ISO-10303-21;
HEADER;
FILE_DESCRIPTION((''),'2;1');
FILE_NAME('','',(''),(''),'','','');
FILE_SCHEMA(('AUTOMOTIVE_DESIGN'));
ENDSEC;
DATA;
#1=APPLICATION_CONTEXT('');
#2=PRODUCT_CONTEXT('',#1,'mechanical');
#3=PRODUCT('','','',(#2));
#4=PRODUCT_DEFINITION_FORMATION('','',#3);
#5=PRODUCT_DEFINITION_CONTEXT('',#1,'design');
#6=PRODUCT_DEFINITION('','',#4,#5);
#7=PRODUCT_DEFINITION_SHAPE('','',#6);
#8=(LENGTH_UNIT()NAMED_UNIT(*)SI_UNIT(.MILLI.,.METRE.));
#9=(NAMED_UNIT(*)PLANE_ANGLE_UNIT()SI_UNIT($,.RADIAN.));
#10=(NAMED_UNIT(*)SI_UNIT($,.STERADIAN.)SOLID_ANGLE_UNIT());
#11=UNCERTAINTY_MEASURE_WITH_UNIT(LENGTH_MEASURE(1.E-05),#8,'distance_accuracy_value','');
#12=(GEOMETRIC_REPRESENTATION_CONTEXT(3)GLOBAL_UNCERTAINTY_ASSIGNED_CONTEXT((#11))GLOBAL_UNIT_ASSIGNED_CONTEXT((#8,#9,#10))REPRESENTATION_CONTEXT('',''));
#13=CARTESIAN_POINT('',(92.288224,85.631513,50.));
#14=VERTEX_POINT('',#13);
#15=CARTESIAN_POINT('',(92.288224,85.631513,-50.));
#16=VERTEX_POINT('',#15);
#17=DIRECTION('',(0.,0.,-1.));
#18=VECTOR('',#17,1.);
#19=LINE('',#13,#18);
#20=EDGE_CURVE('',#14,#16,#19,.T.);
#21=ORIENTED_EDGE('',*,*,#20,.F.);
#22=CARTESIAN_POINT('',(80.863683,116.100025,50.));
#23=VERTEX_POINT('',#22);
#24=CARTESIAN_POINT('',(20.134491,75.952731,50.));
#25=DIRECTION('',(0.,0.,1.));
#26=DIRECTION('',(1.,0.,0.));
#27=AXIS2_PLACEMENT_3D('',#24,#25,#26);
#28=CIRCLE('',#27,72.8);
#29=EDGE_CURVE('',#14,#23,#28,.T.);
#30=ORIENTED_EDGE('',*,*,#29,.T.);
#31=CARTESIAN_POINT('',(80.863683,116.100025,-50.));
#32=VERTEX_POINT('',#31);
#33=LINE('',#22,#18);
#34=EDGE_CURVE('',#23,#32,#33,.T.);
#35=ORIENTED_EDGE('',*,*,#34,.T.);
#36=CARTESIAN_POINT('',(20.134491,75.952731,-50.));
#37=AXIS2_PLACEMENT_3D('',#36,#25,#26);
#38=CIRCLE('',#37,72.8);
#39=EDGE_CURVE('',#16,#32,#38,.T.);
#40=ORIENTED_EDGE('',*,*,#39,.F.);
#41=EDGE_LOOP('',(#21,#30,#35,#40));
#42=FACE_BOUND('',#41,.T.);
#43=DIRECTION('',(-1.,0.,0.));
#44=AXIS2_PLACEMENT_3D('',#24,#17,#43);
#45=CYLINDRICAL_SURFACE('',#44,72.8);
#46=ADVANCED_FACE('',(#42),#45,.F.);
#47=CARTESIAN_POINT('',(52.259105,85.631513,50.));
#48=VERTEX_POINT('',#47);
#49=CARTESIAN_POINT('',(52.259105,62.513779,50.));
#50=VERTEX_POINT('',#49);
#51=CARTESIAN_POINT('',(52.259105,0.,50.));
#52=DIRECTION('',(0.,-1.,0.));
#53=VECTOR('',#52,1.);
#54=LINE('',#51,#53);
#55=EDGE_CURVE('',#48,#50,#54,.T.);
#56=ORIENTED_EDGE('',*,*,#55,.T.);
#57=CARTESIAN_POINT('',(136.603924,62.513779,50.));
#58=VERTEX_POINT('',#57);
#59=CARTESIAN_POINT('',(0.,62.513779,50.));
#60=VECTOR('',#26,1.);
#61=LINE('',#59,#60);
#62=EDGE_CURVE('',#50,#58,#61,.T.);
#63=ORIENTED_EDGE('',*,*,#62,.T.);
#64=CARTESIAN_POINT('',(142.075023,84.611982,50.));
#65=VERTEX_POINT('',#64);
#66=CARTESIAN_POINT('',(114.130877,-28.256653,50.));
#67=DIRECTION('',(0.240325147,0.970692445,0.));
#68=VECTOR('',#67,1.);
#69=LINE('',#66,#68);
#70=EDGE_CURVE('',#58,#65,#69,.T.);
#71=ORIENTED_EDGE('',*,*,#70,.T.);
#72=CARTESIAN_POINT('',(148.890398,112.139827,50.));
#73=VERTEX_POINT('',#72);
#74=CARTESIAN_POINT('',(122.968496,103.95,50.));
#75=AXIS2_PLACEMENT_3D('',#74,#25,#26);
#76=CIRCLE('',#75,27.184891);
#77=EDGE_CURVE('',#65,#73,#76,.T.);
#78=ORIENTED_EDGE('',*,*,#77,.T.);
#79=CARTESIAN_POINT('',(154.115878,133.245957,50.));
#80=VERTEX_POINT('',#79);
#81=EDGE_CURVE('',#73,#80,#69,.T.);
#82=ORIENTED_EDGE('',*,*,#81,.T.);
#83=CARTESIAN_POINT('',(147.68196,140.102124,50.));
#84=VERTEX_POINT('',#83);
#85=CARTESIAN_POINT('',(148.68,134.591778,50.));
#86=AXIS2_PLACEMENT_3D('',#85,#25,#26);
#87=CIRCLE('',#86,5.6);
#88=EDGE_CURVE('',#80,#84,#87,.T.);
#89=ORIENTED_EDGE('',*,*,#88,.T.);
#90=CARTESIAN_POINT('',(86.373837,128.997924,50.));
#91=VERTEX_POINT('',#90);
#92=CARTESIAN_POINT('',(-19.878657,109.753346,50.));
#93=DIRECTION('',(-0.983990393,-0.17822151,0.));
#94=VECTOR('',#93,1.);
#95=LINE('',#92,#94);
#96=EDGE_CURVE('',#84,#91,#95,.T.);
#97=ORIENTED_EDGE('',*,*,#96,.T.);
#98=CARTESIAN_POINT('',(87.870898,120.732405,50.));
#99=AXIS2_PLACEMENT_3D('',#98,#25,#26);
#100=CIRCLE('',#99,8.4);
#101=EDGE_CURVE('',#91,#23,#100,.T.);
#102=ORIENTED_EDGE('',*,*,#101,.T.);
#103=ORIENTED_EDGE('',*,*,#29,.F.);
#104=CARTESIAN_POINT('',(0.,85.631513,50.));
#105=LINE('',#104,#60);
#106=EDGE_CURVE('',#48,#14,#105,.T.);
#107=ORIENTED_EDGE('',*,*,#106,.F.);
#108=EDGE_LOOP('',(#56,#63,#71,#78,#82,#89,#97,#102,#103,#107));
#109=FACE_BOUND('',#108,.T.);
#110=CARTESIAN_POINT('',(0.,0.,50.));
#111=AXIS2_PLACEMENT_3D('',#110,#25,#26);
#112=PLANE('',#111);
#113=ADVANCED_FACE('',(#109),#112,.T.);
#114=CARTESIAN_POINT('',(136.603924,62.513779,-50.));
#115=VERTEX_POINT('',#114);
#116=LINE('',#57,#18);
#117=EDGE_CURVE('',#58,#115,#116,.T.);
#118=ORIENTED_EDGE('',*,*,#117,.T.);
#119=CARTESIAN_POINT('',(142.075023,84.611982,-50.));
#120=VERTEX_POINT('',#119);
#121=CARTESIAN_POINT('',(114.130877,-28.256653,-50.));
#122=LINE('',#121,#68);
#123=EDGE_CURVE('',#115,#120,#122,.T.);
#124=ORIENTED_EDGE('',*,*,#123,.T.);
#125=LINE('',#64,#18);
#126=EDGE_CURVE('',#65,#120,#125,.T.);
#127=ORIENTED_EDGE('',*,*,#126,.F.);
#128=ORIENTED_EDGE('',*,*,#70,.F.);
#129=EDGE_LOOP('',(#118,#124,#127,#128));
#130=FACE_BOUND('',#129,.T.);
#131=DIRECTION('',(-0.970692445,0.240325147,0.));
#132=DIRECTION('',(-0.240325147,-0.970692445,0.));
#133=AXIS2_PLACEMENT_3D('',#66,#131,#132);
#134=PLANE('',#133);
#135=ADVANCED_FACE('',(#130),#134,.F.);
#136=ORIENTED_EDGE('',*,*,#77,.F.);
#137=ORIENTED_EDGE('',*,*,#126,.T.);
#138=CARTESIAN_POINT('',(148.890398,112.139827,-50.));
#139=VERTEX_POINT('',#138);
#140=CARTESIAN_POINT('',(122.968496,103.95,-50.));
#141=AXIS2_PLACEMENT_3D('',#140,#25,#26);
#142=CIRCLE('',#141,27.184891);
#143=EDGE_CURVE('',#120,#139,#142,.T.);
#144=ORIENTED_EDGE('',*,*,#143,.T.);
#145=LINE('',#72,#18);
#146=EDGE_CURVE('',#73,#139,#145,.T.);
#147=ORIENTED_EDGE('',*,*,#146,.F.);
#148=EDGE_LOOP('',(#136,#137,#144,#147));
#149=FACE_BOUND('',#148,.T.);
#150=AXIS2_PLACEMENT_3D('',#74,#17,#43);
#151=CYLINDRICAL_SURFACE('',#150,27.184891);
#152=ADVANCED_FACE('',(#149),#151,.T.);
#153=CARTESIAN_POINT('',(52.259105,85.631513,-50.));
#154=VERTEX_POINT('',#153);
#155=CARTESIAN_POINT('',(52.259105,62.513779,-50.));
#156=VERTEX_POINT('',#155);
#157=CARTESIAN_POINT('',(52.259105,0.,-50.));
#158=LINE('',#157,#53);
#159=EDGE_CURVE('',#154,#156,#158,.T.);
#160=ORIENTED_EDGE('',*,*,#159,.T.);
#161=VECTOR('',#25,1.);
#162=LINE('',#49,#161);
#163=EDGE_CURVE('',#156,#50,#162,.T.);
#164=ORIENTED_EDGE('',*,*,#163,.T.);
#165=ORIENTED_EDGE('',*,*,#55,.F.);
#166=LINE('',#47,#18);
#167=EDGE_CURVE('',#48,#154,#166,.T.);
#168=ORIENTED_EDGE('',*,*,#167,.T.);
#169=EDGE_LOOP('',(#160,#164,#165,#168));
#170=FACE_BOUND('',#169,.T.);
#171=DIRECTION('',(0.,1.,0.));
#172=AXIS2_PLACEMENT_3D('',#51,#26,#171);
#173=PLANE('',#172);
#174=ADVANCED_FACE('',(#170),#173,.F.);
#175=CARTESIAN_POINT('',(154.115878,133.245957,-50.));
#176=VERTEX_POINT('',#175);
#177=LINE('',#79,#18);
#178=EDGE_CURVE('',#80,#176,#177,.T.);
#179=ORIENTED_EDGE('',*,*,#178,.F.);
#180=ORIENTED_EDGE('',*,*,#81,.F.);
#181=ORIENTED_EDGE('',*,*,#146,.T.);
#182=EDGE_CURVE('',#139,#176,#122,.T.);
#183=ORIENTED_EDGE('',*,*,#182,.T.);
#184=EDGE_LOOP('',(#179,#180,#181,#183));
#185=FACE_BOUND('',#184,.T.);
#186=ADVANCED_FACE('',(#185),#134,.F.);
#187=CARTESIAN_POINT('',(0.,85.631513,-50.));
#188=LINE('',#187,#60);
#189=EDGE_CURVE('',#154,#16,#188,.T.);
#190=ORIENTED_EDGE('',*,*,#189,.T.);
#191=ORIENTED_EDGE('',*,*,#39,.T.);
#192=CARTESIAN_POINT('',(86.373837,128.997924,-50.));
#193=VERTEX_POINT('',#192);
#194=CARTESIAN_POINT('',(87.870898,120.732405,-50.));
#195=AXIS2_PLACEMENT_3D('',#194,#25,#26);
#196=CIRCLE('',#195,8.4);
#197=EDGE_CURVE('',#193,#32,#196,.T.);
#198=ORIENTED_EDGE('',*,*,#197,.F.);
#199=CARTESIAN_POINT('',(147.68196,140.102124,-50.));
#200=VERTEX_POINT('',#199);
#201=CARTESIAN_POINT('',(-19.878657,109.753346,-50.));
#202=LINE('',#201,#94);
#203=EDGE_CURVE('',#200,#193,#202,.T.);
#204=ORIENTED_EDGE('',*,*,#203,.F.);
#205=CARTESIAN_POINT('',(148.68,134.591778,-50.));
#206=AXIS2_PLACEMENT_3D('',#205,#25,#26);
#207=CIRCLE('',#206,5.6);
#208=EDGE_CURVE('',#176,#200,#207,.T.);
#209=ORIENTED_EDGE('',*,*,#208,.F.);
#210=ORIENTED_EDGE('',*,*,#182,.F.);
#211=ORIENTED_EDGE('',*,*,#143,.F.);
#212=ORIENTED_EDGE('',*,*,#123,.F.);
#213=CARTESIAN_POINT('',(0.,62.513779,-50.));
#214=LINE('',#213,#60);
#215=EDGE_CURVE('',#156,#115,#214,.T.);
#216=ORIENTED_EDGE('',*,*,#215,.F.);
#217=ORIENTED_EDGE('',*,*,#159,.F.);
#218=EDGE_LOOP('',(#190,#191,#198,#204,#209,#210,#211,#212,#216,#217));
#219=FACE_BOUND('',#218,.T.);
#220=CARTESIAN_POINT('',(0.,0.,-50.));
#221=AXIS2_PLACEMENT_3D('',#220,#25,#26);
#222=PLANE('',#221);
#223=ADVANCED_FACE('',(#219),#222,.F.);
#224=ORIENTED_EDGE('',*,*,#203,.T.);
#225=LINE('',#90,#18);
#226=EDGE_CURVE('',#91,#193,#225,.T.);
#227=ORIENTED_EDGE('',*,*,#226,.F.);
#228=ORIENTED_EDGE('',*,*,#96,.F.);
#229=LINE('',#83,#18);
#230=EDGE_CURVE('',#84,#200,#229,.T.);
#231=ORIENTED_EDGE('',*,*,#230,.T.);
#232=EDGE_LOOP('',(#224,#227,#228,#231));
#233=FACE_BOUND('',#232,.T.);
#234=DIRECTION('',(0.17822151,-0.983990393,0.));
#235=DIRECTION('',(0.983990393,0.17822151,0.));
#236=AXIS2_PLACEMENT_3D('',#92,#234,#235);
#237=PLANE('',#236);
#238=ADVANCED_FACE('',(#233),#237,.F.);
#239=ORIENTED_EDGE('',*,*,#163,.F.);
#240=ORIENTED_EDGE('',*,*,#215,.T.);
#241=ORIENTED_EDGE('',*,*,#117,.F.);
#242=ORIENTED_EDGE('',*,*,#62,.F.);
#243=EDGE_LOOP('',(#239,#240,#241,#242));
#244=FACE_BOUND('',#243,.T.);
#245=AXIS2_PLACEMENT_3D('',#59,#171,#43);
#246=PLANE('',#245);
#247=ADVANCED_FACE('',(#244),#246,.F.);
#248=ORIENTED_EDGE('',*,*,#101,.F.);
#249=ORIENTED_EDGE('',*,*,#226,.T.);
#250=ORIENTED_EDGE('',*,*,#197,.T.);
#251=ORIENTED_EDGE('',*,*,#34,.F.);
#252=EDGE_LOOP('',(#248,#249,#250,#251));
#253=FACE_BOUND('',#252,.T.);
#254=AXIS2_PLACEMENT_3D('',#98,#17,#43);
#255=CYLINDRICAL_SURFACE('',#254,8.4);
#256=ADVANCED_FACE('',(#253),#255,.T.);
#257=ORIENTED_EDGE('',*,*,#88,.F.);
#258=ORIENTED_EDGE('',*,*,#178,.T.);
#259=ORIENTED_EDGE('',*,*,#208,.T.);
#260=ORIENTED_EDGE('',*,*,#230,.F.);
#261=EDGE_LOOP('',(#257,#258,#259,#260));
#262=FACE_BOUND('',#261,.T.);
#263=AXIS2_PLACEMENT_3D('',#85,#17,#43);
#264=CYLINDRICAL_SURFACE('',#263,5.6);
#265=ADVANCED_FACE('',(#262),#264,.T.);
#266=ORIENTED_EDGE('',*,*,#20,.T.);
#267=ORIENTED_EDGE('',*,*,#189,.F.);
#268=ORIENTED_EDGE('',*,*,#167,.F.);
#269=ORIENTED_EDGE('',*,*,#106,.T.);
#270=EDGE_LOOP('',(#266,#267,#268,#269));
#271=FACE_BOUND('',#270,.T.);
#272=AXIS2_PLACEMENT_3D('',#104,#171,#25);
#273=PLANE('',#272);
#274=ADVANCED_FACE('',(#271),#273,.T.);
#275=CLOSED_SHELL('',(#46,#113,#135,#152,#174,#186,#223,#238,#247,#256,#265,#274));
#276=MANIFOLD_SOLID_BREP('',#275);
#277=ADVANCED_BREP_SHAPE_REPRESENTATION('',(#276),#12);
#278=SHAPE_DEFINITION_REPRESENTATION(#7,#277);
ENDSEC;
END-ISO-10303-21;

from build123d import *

# Parameters (mm, degrees)
EXTRUDE_1_DEPTH                = 50
SPLIT_BODIES_1_SURFACE_1_BACK  = 232.206
SPLIT_BODIES_1_SURFACE_1_DEPTH = 464.412
SPLIT_BODIES_1_SURFACE_2_BACK  = 232.206
SPLIT_BODIES_1_SURFACE_2_DEPTH = 464.412


with BuildPart() as part:
    # 草图2 → 凸台-拉伸1 (new, symmetric)
    with BuildSketch(Plane.XY):
        with BuildLine():
            Line((120.381757685, 62.513778912), (136.603924057, 62.513778912))
            Line((136.603924057, 62.513778912), (142.075022588, 84.611982407))
            ThreePointArc((142.075022588, 84.611982407), (149.356663913, 97.416787069), (148.890397999, 112.139827479))
            Line((148.890397999, 112.139827479), (154.115877694, 133.245956899))
            ThreePointArc((154.115877694, 133.245956899), (152.763547037, 138.423832473), (147.681959543, 140.102123925))
            Line((147.681959543, 140.102123925), (86.373837206, 128.997923897))
            ThreePointArc((86.373837206, 128.997923897), (80.146286191, 124.032461274), (80.863683371, 116.100024575))
            ThreePointArc((80.863683371, 116.100024575), (88.300101913, 101.512259026), (92.288223879, 85.631512581))
            Line((92.288223879, 85.631512581), (52.259104564, 85.631512581))
            Line((52.259104564, 85.631512581), (52.259104564, 37.347972633))
            Line((52.259104564, 37.347972633), (26.12059868, 28.530814049))
            Line((26.12059868, 28.530814049), (0, 28.530814049))
            Line((0, 28.530814049), (0, 0))
            Line((0, 0), (140.98, 0))
            Line((140.98, 0), (131.928221984, 26.834036233))
            Line((131.928221984, 26.834036233), (115.249995775, 26.834036233))
            Line((115.249995775, 26.834036233), (120.381757685, 62.513778912))
        make_face()
    extrude(amount=EXTRUDE_1_DEPTH, both=True)


with BuildPart() as body_2:
    # Split Bodies 1: the piece behind the surface
    add(part.part)
    # Split Bodies 1 surface: a surface, the sketch's curves swept straight by 464.412 mm
    with BuildLine(Plane.XY.offset(50).offset(-SPLIT_BODIES_1_SURFACE_1_BACK), mode=Mode.PRIVATE) as split_bodies_1_surface_1_path:
        Line((120.381757685, 62.513778912), (52.259104564, 62.513778912))
    split_bodies_1_surface_1 = Shell.extrude(split_bodies_1_surface_1_path.wire(), (0 * SPLIT_BODIES_1_SURFACE_1_DEPTH, 0 * SPLIT_BODIES_1_SURFACE_1_DEPTH, 1 * SPLIT_BODIES_1_SURFACE_1_DEPTH))
    split(bisect_by=split_bodies_1_surface_1, keep=Keep.BOTTOM)


with BuildPart() as part_1:
    add(part.part)

    # Split Bodies 1: split by a surface, the side it looks to stays
    # Split Bodies 1 surface: a surface, the sketch's curves swept straight by 464.412 mm
    with BuildLine(Plane.XY.offset(50).offset(-SPLIT_BODIES_1_SURFACE_2_BACK), mode=Mode.PRIVATE) as split_bodies_1_surface_2_path:
        Line((120.381757685, 62.513778912), (52.259104564, 62.513778912))
    split_bodies_1_surface_2 = Shell.extrude(split_bodies_1_surface_2_path.wire(), (0 * SPLIT_BODIES_1_SURFACE_2_DEPTH, 0 * SPLIT_BODIES_1_SURFACE_2_DEPTH, 1 * SPLIT_BODIES_1_SURFACE_2_DEPTH))
    split(bisect_by=split_bodies_1_surface_2, keep=Keep.TOP)


solid = body_2.part
